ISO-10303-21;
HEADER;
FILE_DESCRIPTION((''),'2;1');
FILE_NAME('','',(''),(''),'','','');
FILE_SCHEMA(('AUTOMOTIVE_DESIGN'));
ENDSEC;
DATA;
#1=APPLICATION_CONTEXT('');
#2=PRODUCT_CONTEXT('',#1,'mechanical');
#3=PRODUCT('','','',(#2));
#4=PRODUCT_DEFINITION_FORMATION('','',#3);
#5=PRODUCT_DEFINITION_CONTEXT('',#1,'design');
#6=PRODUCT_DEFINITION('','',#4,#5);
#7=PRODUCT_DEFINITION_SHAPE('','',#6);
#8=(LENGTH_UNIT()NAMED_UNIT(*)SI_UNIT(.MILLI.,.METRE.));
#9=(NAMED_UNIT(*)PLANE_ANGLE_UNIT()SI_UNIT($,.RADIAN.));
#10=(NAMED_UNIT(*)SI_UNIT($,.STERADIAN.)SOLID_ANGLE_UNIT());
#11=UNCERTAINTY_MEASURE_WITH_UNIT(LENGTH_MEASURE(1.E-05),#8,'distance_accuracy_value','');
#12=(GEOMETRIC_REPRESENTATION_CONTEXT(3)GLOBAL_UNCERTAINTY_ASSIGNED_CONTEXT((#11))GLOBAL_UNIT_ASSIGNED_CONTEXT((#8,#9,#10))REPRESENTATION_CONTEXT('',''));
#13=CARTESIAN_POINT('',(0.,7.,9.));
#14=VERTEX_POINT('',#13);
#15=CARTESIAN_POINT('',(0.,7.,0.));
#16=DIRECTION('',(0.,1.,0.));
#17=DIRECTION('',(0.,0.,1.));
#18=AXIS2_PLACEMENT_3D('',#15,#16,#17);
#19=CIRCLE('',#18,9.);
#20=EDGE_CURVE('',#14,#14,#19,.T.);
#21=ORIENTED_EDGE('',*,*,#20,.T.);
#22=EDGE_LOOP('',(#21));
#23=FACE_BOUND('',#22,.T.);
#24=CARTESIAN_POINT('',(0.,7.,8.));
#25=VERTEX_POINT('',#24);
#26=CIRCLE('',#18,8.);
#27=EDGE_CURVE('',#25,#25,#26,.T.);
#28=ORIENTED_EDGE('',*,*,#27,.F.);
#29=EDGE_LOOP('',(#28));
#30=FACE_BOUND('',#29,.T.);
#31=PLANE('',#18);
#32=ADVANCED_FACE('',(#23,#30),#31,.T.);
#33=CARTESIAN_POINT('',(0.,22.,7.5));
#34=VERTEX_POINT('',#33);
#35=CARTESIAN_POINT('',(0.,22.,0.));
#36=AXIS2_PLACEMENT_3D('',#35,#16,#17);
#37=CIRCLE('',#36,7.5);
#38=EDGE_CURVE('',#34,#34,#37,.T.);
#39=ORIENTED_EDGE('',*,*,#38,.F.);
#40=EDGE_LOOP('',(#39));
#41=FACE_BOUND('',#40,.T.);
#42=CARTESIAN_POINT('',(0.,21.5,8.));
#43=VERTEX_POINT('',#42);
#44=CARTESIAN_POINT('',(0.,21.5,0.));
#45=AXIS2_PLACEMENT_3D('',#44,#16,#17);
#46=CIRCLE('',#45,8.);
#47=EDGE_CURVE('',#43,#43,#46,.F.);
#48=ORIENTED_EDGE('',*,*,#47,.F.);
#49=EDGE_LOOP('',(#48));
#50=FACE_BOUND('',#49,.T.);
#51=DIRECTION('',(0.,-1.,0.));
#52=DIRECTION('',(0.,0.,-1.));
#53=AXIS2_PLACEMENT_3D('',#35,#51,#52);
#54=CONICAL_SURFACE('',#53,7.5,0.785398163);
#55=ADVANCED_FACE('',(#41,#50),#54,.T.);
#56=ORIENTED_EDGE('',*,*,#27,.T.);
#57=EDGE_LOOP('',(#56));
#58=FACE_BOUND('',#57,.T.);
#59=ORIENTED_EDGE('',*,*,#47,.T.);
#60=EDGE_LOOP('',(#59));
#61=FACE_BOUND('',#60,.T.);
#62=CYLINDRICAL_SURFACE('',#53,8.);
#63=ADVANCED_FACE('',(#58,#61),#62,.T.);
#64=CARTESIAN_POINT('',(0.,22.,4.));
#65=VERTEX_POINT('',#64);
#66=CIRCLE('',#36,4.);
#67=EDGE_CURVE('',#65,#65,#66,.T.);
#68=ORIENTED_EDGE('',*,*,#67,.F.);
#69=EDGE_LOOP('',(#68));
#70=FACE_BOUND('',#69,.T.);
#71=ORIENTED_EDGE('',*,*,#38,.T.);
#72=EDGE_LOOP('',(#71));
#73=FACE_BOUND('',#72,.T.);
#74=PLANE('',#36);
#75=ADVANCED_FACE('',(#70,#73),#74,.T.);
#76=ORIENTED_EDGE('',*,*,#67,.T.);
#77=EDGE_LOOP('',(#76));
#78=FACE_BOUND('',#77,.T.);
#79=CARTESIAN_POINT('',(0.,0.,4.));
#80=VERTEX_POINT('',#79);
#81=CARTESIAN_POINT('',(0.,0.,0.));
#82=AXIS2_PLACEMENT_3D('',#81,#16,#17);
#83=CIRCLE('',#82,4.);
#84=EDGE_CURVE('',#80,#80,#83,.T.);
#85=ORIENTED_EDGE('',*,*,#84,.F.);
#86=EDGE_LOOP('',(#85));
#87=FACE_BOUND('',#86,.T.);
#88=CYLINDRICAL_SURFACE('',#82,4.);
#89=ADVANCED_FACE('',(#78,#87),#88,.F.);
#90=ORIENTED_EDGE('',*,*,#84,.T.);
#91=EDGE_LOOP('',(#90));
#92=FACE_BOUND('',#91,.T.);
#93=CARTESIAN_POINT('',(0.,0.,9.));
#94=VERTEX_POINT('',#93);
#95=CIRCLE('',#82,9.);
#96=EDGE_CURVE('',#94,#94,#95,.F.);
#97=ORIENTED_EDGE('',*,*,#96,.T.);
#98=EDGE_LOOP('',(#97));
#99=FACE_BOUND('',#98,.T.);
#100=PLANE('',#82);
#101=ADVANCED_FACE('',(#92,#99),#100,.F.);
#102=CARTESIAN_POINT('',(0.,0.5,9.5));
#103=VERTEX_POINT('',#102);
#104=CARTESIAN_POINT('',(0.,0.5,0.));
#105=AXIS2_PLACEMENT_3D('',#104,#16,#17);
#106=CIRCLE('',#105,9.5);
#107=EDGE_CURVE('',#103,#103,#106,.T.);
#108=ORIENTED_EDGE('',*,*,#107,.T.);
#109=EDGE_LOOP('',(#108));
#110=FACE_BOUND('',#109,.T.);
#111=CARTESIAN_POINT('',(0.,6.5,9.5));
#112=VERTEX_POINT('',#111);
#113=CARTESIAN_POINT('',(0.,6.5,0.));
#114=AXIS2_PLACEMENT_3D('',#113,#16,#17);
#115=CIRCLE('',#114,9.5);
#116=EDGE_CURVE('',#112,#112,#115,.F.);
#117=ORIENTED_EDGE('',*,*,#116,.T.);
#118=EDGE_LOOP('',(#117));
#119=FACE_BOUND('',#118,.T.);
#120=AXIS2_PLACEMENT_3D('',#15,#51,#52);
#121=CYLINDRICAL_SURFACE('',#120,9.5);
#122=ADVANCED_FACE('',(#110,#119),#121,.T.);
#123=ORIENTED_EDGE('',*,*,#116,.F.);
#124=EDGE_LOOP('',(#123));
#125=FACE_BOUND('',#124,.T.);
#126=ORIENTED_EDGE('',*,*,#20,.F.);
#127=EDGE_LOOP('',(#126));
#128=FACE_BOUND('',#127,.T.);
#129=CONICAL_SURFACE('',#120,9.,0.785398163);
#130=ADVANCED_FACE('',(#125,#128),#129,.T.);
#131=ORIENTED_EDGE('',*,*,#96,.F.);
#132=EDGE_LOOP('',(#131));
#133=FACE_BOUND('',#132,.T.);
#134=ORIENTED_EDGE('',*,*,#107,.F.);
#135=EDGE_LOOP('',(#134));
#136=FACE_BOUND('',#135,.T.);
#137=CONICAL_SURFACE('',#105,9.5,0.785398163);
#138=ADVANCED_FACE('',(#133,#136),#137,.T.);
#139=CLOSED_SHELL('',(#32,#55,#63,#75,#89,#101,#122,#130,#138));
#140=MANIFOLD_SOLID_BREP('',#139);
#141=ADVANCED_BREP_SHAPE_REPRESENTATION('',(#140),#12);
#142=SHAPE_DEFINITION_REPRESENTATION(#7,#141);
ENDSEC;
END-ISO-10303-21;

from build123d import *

# Parameters (mm, degrees)
SKETCH1_R           = 9.5
BOSS_EXTRUDE1_DEPTH = 7
SKETCH2_R           = 8
BOSS_EXTRUDE2_DEPTH = 15
SKETCH3_R           = 4
CUT_EXTRUDE1_DEPTH  = 26.777897509
CHAMFER1_SIZE       = 0.5


with BuildPart() as part:
    # Sketch1 → Boss-Extrude1 (new body)
    with BuildSketch(Plane(origin=(0, 0, 0), x_dir=(1, 0, 0), z_dir=(0, 1, 0))):
        with Locations(Location((0, 0, 0), (0, 0, 270))):
            Circle(SKETCH1_R)
    extrude(amount=BOSS_EXTRUDE1_DEPTH)

    # Sketch2 → Boss-Extrude2 (add)
    with BuildSketch(Plane(origin=(0, 7, 0), x_dir=(1, 0, 0), z_dir=(0, 1, 0))):
        with Locations(Location((0, 0, 0), (0, 0, 270))):
            Circle(SKETCH2_R)
    extrude(amount=BOSS_EXTRUDE2_DEPTH)

    # Sketch3 → Cut-Extrude1 (cut, through all)
    with BuildSketch(Plane(origin=(0, 22, 0), x_dir=(1, 0, 0), z_dir=(0, 1, 0))):
        with Locations(Location((0, 0, 0), (0, 0, 270))):
            Circle(SKETCH3_R)
    extrude(amount=-CUT_EXTRUDE1_DEPTH, mode=Mode.SUBTRACT)

    # Chamfer1
    chamfer1_edges = [part.edges().sort_by_distance(p)[0] for p in [
        (0, 0, -9.5),
        (0, 7, -9.5),
        (0, 22, -8),
    ]]
    chamfer(chamfer1_edges, length=CHAMFER1_SIZE)


solid = part.part
